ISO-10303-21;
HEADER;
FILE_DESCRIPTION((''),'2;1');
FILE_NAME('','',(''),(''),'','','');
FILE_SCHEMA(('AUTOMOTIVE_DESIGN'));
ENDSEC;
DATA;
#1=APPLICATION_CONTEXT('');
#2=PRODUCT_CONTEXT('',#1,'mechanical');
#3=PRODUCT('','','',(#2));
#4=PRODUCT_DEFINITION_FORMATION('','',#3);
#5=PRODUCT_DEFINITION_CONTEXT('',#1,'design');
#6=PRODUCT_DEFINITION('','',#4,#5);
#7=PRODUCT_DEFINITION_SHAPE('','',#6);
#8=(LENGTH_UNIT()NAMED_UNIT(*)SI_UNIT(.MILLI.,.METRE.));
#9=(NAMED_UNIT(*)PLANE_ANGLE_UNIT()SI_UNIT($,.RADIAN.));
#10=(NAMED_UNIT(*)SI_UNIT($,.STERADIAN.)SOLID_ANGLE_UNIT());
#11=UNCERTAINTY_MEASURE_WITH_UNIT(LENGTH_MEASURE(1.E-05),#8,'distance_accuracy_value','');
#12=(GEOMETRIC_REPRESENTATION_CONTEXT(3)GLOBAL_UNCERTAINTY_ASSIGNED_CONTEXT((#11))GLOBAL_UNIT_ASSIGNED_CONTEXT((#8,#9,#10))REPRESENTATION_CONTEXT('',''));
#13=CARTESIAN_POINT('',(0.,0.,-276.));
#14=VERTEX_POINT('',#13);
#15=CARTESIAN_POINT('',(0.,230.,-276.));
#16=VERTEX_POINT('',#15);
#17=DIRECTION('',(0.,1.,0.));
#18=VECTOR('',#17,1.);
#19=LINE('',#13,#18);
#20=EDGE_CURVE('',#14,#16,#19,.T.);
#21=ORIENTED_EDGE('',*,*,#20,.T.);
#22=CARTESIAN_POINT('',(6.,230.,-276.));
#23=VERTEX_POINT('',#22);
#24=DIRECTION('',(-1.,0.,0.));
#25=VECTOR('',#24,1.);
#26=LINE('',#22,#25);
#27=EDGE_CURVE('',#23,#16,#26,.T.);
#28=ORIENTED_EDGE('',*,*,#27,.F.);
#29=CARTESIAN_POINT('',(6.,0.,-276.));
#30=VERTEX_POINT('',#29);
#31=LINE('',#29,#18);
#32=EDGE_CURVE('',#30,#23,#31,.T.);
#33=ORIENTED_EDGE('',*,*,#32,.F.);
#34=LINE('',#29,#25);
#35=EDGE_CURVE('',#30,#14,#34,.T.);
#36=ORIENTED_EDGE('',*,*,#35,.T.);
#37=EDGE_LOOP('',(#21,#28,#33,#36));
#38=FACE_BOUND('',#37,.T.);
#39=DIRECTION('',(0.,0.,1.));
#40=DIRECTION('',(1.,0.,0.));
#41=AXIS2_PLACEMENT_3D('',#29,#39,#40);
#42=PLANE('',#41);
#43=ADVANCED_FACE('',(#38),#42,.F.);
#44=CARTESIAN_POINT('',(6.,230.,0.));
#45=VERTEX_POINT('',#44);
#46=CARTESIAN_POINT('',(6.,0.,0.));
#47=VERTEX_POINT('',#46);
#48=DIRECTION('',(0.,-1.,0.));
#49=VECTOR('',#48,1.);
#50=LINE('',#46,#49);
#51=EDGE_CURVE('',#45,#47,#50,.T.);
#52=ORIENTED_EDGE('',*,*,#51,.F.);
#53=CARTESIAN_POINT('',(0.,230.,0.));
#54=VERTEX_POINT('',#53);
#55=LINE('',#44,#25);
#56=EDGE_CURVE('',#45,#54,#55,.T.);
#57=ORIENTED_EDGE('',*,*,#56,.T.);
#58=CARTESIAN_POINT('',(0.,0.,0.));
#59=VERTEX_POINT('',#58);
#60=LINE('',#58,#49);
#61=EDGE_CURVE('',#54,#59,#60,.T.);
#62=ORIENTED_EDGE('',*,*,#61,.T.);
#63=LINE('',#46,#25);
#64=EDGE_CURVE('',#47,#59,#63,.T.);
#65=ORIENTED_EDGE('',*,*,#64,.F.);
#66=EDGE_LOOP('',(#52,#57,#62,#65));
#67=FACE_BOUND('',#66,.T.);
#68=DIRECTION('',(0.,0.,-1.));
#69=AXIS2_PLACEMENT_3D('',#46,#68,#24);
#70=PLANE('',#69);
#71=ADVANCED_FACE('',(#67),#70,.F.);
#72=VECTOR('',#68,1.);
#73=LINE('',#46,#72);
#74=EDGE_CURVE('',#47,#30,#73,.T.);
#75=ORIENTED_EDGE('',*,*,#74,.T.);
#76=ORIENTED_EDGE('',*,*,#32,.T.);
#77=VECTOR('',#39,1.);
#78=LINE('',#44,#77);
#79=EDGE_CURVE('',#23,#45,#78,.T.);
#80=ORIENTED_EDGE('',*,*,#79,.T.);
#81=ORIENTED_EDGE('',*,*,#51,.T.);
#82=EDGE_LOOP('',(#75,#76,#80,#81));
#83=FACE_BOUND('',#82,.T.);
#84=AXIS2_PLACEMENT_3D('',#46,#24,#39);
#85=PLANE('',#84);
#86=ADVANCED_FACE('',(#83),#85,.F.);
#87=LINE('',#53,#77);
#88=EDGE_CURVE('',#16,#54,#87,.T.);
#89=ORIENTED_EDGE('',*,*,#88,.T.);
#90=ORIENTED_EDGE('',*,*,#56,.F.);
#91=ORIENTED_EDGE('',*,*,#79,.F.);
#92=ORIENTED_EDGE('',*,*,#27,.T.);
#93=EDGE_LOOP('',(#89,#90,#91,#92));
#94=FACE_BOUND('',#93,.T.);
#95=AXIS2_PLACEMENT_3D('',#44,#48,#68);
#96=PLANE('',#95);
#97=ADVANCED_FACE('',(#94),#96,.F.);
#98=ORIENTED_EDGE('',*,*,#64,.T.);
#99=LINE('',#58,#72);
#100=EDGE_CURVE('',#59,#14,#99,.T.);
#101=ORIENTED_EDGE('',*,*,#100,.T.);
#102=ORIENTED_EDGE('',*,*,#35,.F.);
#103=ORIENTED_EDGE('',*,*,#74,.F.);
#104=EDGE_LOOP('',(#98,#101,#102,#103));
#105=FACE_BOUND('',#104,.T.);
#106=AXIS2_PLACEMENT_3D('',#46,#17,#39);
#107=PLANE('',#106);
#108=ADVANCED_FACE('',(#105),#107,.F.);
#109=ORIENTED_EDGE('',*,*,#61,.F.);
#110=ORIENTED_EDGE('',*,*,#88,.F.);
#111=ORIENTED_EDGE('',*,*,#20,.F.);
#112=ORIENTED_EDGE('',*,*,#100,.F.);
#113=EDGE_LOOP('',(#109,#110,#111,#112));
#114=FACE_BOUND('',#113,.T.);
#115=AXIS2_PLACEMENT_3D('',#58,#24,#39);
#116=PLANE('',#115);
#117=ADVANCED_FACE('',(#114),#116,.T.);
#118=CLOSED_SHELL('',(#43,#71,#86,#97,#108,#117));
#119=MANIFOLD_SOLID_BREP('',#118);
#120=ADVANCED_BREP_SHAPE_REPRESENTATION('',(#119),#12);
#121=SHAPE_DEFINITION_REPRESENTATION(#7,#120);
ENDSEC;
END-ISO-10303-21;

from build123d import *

# Parameters (mm, degrees)
SKETCH_1_W      = 276
SKETCH_1_H      = 230
EXTRUDE_1_DEPTH = 6


with BuildPart() as part:
    # 草图1 → 凸台-拉伸1 (new body)
    with BuildSketch(Plane(origin=(0, 0, 0), x_dir=(0, 0, -1), z_dir=(1, 0, 0))):
        with Locations((138, 115)):
            Rectangle(SKETCH_1_W, SKETCH_1_H)
    extrude(amount=EXTRUDE_1_DEPTH)


solid = part.part
